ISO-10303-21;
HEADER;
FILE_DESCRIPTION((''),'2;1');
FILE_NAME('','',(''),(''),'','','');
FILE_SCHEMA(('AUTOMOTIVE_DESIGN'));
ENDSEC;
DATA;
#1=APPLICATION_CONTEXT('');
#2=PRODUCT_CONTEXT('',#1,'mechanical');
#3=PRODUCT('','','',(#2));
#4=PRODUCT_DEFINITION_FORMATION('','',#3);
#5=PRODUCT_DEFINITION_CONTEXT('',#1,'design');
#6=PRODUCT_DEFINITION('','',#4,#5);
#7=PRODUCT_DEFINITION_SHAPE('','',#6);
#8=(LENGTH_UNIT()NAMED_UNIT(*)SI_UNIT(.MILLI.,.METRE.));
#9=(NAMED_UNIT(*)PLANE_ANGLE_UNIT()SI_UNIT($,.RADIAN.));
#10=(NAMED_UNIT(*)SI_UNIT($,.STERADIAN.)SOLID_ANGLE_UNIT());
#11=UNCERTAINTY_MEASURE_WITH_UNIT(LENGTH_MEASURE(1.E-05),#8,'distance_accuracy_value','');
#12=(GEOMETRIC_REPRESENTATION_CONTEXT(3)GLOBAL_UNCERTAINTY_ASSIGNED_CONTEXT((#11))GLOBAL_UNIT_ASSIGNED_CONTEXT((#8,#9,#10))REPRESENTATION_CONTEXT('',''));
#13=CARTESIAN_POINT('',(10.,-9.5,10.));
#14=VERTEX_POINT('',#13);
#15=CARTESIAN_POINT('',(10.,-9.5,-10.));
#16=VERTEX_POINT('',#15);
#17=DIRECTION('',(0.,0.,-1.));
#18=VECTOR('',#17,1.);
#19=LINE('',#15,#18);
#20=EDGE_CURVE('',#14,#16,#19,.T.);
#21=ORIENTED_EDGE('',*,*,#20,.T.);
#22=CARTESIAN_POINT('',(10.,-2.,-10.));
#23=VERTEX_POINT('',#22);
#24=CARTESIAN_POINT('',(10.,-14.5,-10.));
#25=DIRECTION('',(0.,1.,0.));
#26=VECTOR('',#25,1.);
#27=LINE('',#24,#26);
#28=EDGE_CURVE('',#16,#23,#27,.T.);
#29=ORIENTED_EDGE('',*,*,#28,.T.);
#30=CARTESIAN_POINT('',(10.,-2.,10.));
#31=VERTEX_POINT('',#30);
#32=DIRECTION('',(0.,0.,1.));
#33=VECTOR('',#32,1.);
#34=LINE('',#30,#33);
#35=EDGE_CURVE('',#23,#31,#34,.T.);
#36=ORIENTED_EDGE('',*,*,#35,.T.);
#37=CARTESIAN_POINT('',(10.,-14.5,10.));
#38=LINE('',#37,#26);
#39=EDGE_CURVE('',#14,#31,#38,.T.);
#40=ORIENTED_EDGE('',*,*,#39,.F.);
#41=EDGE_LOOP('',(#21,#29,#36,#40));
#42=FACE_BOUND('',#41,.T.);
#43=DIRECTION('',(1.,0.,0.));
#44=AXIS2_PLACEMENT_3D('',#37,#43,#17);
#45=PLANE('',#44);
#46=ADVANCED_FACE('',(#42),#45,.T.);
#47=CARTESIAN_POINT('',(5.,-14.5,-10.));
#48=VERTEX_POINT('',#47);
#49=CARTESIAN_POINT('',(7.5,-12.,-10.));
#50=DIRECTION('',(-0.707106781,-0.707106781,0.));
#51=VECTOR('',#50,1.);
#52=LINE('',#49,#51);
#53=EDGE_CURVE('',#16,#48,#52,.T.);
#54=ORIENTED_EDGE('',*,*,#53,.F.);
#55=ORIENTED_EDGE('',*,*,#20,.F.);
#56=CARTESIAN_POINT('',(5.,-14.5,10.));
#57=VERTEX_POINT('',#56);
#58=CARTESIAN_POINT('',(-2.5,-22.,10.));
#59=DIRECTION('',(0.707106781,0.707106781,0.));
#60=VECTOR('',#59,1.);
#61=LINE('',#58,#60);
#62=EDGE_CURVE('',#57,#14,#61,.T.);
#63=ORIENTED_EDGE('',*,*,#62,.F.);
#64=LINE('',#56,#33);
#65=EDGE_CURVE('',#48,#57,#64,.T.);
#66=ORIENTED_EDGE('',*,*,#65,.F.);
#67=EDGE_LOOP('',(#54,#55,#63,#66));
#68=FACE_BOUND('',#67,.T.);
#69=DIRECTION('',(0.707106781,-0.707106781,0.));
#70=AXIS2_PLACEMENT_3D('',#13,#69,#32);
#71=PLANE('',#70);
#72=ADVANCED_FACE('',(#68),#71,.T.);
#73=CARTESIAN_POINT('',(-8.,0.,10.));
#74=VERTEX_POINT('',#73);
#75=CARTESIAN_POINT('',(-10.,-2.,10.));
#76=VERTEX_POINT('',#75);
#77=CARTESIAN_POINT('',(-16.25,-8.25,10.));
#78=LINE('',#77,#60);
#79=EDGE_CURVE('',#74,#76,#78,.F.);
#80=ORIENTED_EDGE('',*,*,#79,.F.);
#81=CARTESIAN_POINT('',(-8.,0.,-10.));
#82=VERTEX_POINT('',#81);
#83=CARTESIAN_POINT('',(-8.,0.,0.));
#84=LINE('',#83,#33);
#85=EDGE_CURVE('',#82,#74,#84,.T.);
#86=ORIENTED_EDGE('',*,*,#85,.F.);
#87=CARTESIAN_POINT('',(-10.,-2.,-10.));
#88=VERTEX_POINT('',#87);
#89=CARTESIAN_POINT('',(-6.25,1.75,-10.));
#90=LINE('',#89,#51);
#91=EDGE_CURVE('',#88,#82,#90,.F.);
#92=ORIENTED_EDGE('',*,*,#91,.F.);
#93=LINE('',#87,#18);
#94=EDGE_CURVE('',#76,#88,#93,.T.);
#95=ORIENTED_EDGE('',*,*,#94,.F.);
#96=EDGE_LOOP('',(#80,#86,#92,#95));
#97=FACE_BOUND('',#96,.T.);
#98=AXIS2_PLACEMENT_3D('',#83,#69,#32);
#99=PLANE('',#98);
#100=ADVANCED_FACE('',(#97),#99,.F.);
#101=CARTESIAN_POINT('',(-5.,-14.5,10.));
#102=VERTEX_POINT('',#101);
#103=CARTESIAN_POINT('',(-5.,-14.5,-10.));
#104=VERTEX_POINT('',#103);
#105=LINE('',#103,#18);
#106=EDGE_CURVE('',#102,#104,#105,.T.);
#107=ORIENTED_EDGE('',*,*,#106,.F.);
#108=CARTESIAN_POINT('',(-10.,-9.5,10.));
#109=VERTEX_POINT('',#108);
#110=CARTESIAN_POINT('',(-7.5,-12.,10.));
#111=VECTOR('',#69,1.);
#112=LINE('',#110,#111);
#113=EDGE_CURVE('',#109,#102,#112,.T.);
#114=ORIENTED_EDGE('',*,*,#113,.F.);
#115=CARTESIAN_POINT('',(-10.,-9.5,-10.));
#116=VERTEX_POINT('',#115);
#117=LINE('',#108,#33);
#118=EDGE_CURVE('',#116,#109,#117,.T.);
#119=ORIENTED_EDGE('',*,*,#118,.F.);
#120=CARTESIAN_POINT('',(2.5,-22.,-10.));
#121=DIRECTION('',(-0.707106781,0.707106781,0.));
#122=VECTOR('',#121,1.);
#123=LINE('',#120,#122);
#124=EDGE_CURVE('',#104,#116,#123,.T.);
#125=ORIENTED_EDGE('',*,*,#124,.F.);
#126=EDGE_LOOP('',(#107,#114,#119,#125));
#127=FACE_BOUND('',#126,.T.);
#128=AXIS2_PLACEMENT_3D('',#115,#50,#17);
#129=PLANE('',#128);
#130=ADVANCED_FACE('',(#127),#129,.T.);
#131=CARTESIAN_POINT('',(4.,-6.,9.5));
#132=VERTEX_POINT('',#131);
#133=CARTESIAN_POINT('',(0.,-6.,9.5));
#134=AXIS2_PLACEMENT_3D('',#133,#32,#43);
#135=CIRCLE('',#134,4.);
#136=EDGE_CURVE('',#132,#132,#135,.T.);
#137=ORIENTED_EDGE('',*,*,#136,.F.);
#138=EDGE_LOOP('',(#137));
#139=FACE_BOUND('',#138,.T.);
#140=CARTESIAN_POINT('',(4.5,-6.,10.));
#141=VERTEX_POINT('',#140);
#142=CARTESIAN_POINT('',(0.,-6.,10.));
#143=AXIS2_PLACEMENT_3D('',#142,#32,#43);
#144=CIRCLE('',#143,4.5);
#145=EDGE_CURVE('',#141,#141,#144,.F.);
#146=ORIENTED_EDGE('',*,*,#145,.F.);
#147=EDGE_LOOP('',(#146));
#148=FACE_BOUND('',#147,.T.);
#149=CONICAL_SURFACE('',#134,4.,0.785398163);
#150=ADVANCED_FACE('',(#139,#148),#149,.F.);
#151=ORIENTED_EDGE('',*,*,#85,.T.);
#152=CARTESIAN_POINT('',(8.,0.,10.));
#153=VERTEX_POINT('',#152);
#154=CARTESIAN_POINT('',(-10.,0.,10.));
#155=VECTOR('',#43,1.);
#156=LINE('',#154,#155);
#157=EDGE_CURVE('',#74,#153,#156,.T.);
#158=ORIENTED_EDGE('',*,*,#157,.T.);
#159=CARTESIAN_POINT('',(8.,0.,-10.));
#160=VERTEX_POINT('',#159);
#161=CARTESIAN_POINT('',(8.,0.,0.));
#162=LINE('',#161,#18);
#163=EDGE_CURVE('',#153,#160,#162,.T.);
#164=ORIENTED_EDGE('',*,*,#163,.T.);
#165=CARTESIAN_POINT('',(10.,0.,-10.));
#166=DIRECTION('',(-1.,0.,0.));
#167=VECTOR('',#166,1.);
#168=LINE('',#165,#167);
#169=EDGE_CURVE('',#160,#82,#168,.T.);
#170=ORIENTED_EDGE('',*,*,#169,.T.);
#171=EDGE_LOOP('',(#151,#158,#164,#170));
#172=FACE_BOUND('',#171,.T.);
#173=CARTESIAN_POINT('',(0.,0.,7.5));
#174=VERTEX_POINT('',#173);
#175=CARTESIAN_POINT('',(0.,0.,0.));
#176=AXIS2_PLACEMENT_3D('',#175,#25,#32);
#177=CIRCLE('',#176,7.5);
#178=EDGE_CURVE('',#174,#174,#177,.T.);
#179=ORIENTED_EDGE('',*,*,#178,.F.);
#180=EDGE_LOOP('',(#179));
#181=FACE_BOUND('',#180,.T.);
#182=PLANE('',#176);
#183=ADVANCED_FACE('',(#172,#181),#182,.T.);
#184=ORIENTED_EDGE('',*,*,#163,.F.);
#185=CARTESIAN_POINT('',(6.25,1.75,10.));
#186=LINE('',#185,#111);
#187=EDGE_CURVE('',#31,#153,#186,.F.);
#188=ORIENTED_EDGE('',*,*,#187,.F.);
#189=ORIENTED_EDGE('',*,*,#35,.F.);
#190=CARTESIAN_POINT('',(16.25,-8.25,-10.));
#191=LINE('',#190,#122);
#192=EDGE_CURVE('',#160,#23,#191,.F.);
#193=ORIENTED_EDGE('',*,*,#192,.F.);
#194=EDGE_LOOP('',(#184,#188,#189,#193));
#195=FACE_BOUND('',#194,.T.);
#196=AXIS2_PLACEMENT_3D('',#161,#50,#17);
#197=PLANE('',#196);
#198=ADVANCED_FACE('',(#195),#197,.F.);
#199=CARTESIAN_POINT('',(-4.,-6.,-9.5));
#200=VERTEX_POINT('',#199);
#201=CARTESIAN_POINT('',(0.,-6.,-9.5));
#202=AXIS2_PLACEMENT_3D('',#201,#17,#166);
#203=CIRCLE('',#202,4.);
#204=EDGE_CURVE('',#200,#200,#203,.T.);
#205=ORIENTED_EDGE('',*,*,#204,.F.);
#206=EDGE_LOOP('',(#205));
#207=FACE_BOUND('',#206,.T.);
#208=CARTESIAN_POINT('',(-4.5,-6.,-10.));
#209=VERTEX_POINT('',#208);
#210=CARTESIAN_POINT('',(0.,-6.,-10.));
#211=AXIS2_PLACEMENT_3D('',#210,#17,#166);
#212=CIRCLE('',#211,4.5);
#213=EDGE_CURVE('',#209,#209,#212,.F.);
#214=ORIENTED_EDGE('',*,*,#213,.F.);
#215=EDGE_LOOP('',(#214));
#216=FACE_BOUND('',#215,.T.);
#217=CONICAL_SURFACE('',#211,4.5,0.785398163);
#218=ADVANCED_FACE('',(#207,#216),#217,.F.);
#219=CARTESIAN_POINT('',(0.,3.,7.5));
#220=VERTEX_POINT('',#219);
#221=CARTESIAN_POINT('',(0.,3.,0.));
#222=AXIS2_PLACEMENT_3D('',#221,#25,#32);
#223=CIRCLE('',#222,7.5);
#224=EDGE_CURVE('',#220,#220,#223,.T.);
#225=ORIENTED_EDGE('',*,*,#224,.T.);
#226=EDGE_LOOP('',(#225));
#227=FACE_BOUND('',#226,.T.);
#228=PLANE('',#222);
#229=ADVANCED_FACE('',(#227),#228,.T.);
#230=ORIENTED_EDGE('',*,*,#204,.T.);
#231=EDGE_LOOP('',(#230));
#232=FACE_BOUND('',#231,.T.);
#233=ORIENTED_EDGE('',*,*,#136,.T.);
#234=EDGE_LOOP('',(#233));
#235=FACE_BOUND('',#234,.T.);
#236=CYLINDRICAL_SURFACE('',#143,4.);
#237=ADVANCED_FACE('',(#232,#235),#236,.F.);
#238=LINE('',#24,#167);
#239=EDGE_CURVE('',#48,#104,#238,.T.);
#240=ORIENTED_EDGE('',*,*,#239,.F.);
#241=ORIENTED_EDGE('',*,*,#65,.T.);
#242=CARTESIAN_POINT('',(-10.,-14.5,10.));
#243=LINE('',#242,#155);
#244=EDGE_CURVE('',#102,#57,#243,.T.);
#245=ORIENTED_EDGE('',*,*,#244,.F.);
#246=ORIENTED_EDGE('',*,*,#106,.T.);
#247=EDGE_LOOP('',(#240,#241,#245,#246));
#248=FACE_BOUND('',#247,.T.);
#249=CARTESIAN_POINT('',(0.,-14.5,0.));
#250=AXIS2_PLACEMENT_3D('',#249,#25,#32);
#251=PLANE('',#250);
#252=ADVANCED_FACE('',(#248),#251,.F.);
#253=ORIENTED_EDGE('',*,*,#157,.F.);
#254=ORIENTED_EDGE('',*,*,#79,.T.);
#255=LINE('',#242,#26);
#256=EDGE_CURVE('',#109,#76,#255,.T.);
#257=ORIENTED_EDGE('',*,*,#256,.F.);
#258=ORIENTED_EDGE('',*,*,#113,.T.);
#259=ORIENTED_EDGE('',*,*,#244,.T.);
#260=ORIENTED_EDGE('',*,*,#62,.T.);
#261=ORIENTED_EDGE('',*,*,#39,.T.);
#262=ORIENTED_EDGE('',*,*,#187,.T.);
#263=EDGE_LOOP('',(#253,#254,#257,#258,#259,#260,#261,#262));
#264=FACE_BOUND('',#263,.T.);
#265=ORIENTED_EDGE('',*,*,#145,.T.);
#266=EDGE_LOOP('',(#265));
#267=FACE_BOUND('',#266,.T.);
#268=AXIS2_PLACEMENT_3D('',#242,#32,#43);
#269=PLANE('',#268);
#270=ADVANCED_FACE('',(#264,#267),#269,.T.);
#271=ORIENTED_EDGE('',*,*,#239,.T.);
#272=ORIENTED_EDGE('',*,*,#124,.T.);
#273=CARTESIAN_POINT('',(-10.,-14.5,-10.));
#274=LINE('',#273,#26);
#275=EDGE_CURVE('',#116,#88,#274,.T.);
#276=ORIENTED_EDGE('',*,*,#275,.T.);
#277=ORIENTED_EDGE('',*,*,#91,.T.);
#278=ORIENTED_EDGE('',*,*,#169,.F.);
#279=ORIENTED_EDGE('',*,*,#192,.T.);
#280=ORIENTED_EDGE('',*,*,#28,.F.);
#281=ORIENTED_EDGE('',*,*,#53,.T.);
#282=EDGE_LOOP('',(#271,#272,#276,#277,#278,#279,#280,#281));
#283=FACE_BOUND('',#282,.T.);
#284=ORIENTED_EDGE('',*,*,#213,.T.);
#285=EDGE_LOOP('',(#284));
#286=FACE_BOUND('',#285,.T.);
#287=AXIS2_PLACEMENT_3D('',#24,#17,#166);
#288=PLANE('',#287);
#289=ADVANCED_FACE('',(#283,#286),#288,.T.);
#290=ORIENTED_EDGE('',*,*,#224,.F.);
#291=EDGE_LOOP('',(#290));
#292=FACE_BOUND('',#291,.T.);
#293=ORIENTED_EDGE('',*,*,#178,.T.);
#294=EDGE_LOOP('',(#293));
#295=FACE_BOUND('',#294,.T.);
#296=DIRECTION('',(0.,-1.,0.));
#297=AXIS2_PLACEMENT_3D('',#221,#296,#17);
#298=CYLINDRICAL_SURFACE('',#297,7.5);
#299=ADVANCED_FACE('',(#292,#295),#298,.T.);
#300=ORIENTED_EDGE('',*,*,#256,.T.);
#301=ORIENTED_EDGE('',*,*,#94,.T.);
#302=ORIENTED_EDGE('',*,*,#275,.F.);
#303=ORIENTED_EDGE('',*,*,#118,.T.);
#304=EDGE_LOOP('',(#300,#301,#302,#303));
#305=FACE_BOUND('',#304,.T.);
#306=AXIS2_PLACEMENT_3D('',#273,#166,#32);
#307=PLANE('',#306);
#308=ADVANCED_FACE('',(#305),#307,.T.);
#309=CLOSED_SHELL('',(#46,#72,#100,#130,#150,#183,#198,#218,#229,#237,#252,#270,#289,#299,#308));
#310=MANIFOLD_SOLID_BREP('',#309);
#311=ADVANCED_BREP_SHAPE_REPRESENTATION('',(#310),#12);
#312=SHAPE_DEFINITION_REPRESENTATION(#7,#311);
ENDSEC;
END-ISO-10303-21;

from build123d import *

# Parameters (mm, degrees)
SKETCH1_W                = 20
SKETCH1_H                = 20
BOSS_EXTRUDE1_DEPTH      = 14.5
SKETCH2_R                = 7.5
BOSS_EXTRUDE2_DEPTH      = 3
F_8_0_8_DIAMETER_HOLE1_D = 8
CHAMFER1_SIZE            = 5
CHAMFER2_SIZE            = 2
CHAMFER3_SIZE            = 0.5


with BuildPart() as part:
    # Sketch1 → Boss-Extrude1 (new body)
    with BuildSketch(Plane(origin=(0, 0, 0), x_dir=(1, 0, 0), z_dir=(0, 1, 0))):
        Rectangle(SKETCH1_W, SKETCH1_H)
    extrude(amount=-BOSS_EXTRUDE1_DEPTH)

    # Sketch2 → Boss-Extrude2 (add)
    with BuildSketch(Plane(origin=(0, 0, 0), x_dir=(-1, 0, 0), z_dir=(0, 1, 0))):
        with Locations(Location((0, 0, 0), (0, 0, 90))):
            Circle(SKETCH2_R)
    extrude(amount=BOSS_EXTRUDE2_DEPTH)

    # Ø8.0 (8) Diameter Hole1 (through all)
    with Locations(Plane.XY.offset(10)):
        with Locations((0, -6)):
            Hole(F_8_0_8_DIAMETER_HOLE1_D / 2)

    # Chamfer1
    chamfer1_edges = [part.edges().sort_by_distance(p)[0] for p in [
        (-10, -14.5, 0),
        (10, -14.5, 0),
    ]]
    chamfer(chamfer1_edges, length=CHAMFER1_SIZE)

    # Chamfer2
    chamfer2_edges = [part.edges().sort_by_distance(p)[0] for p in [
        (-10, 0, 0),
        (10, 0, 0),
    ]]
    chamfer(chamfer2_edges, length=CHAMFER2_SIZE)

    # Chamfer3
    chamfer3_edges = [part.edges().sort_by_distance(p)[0] for p in [
        (4, -6, 10),
        (4, -6, -10),
    ]]
    chamfer(chamfer3_edges, length=CHAMFER3_SIZE)


solid = part.part
